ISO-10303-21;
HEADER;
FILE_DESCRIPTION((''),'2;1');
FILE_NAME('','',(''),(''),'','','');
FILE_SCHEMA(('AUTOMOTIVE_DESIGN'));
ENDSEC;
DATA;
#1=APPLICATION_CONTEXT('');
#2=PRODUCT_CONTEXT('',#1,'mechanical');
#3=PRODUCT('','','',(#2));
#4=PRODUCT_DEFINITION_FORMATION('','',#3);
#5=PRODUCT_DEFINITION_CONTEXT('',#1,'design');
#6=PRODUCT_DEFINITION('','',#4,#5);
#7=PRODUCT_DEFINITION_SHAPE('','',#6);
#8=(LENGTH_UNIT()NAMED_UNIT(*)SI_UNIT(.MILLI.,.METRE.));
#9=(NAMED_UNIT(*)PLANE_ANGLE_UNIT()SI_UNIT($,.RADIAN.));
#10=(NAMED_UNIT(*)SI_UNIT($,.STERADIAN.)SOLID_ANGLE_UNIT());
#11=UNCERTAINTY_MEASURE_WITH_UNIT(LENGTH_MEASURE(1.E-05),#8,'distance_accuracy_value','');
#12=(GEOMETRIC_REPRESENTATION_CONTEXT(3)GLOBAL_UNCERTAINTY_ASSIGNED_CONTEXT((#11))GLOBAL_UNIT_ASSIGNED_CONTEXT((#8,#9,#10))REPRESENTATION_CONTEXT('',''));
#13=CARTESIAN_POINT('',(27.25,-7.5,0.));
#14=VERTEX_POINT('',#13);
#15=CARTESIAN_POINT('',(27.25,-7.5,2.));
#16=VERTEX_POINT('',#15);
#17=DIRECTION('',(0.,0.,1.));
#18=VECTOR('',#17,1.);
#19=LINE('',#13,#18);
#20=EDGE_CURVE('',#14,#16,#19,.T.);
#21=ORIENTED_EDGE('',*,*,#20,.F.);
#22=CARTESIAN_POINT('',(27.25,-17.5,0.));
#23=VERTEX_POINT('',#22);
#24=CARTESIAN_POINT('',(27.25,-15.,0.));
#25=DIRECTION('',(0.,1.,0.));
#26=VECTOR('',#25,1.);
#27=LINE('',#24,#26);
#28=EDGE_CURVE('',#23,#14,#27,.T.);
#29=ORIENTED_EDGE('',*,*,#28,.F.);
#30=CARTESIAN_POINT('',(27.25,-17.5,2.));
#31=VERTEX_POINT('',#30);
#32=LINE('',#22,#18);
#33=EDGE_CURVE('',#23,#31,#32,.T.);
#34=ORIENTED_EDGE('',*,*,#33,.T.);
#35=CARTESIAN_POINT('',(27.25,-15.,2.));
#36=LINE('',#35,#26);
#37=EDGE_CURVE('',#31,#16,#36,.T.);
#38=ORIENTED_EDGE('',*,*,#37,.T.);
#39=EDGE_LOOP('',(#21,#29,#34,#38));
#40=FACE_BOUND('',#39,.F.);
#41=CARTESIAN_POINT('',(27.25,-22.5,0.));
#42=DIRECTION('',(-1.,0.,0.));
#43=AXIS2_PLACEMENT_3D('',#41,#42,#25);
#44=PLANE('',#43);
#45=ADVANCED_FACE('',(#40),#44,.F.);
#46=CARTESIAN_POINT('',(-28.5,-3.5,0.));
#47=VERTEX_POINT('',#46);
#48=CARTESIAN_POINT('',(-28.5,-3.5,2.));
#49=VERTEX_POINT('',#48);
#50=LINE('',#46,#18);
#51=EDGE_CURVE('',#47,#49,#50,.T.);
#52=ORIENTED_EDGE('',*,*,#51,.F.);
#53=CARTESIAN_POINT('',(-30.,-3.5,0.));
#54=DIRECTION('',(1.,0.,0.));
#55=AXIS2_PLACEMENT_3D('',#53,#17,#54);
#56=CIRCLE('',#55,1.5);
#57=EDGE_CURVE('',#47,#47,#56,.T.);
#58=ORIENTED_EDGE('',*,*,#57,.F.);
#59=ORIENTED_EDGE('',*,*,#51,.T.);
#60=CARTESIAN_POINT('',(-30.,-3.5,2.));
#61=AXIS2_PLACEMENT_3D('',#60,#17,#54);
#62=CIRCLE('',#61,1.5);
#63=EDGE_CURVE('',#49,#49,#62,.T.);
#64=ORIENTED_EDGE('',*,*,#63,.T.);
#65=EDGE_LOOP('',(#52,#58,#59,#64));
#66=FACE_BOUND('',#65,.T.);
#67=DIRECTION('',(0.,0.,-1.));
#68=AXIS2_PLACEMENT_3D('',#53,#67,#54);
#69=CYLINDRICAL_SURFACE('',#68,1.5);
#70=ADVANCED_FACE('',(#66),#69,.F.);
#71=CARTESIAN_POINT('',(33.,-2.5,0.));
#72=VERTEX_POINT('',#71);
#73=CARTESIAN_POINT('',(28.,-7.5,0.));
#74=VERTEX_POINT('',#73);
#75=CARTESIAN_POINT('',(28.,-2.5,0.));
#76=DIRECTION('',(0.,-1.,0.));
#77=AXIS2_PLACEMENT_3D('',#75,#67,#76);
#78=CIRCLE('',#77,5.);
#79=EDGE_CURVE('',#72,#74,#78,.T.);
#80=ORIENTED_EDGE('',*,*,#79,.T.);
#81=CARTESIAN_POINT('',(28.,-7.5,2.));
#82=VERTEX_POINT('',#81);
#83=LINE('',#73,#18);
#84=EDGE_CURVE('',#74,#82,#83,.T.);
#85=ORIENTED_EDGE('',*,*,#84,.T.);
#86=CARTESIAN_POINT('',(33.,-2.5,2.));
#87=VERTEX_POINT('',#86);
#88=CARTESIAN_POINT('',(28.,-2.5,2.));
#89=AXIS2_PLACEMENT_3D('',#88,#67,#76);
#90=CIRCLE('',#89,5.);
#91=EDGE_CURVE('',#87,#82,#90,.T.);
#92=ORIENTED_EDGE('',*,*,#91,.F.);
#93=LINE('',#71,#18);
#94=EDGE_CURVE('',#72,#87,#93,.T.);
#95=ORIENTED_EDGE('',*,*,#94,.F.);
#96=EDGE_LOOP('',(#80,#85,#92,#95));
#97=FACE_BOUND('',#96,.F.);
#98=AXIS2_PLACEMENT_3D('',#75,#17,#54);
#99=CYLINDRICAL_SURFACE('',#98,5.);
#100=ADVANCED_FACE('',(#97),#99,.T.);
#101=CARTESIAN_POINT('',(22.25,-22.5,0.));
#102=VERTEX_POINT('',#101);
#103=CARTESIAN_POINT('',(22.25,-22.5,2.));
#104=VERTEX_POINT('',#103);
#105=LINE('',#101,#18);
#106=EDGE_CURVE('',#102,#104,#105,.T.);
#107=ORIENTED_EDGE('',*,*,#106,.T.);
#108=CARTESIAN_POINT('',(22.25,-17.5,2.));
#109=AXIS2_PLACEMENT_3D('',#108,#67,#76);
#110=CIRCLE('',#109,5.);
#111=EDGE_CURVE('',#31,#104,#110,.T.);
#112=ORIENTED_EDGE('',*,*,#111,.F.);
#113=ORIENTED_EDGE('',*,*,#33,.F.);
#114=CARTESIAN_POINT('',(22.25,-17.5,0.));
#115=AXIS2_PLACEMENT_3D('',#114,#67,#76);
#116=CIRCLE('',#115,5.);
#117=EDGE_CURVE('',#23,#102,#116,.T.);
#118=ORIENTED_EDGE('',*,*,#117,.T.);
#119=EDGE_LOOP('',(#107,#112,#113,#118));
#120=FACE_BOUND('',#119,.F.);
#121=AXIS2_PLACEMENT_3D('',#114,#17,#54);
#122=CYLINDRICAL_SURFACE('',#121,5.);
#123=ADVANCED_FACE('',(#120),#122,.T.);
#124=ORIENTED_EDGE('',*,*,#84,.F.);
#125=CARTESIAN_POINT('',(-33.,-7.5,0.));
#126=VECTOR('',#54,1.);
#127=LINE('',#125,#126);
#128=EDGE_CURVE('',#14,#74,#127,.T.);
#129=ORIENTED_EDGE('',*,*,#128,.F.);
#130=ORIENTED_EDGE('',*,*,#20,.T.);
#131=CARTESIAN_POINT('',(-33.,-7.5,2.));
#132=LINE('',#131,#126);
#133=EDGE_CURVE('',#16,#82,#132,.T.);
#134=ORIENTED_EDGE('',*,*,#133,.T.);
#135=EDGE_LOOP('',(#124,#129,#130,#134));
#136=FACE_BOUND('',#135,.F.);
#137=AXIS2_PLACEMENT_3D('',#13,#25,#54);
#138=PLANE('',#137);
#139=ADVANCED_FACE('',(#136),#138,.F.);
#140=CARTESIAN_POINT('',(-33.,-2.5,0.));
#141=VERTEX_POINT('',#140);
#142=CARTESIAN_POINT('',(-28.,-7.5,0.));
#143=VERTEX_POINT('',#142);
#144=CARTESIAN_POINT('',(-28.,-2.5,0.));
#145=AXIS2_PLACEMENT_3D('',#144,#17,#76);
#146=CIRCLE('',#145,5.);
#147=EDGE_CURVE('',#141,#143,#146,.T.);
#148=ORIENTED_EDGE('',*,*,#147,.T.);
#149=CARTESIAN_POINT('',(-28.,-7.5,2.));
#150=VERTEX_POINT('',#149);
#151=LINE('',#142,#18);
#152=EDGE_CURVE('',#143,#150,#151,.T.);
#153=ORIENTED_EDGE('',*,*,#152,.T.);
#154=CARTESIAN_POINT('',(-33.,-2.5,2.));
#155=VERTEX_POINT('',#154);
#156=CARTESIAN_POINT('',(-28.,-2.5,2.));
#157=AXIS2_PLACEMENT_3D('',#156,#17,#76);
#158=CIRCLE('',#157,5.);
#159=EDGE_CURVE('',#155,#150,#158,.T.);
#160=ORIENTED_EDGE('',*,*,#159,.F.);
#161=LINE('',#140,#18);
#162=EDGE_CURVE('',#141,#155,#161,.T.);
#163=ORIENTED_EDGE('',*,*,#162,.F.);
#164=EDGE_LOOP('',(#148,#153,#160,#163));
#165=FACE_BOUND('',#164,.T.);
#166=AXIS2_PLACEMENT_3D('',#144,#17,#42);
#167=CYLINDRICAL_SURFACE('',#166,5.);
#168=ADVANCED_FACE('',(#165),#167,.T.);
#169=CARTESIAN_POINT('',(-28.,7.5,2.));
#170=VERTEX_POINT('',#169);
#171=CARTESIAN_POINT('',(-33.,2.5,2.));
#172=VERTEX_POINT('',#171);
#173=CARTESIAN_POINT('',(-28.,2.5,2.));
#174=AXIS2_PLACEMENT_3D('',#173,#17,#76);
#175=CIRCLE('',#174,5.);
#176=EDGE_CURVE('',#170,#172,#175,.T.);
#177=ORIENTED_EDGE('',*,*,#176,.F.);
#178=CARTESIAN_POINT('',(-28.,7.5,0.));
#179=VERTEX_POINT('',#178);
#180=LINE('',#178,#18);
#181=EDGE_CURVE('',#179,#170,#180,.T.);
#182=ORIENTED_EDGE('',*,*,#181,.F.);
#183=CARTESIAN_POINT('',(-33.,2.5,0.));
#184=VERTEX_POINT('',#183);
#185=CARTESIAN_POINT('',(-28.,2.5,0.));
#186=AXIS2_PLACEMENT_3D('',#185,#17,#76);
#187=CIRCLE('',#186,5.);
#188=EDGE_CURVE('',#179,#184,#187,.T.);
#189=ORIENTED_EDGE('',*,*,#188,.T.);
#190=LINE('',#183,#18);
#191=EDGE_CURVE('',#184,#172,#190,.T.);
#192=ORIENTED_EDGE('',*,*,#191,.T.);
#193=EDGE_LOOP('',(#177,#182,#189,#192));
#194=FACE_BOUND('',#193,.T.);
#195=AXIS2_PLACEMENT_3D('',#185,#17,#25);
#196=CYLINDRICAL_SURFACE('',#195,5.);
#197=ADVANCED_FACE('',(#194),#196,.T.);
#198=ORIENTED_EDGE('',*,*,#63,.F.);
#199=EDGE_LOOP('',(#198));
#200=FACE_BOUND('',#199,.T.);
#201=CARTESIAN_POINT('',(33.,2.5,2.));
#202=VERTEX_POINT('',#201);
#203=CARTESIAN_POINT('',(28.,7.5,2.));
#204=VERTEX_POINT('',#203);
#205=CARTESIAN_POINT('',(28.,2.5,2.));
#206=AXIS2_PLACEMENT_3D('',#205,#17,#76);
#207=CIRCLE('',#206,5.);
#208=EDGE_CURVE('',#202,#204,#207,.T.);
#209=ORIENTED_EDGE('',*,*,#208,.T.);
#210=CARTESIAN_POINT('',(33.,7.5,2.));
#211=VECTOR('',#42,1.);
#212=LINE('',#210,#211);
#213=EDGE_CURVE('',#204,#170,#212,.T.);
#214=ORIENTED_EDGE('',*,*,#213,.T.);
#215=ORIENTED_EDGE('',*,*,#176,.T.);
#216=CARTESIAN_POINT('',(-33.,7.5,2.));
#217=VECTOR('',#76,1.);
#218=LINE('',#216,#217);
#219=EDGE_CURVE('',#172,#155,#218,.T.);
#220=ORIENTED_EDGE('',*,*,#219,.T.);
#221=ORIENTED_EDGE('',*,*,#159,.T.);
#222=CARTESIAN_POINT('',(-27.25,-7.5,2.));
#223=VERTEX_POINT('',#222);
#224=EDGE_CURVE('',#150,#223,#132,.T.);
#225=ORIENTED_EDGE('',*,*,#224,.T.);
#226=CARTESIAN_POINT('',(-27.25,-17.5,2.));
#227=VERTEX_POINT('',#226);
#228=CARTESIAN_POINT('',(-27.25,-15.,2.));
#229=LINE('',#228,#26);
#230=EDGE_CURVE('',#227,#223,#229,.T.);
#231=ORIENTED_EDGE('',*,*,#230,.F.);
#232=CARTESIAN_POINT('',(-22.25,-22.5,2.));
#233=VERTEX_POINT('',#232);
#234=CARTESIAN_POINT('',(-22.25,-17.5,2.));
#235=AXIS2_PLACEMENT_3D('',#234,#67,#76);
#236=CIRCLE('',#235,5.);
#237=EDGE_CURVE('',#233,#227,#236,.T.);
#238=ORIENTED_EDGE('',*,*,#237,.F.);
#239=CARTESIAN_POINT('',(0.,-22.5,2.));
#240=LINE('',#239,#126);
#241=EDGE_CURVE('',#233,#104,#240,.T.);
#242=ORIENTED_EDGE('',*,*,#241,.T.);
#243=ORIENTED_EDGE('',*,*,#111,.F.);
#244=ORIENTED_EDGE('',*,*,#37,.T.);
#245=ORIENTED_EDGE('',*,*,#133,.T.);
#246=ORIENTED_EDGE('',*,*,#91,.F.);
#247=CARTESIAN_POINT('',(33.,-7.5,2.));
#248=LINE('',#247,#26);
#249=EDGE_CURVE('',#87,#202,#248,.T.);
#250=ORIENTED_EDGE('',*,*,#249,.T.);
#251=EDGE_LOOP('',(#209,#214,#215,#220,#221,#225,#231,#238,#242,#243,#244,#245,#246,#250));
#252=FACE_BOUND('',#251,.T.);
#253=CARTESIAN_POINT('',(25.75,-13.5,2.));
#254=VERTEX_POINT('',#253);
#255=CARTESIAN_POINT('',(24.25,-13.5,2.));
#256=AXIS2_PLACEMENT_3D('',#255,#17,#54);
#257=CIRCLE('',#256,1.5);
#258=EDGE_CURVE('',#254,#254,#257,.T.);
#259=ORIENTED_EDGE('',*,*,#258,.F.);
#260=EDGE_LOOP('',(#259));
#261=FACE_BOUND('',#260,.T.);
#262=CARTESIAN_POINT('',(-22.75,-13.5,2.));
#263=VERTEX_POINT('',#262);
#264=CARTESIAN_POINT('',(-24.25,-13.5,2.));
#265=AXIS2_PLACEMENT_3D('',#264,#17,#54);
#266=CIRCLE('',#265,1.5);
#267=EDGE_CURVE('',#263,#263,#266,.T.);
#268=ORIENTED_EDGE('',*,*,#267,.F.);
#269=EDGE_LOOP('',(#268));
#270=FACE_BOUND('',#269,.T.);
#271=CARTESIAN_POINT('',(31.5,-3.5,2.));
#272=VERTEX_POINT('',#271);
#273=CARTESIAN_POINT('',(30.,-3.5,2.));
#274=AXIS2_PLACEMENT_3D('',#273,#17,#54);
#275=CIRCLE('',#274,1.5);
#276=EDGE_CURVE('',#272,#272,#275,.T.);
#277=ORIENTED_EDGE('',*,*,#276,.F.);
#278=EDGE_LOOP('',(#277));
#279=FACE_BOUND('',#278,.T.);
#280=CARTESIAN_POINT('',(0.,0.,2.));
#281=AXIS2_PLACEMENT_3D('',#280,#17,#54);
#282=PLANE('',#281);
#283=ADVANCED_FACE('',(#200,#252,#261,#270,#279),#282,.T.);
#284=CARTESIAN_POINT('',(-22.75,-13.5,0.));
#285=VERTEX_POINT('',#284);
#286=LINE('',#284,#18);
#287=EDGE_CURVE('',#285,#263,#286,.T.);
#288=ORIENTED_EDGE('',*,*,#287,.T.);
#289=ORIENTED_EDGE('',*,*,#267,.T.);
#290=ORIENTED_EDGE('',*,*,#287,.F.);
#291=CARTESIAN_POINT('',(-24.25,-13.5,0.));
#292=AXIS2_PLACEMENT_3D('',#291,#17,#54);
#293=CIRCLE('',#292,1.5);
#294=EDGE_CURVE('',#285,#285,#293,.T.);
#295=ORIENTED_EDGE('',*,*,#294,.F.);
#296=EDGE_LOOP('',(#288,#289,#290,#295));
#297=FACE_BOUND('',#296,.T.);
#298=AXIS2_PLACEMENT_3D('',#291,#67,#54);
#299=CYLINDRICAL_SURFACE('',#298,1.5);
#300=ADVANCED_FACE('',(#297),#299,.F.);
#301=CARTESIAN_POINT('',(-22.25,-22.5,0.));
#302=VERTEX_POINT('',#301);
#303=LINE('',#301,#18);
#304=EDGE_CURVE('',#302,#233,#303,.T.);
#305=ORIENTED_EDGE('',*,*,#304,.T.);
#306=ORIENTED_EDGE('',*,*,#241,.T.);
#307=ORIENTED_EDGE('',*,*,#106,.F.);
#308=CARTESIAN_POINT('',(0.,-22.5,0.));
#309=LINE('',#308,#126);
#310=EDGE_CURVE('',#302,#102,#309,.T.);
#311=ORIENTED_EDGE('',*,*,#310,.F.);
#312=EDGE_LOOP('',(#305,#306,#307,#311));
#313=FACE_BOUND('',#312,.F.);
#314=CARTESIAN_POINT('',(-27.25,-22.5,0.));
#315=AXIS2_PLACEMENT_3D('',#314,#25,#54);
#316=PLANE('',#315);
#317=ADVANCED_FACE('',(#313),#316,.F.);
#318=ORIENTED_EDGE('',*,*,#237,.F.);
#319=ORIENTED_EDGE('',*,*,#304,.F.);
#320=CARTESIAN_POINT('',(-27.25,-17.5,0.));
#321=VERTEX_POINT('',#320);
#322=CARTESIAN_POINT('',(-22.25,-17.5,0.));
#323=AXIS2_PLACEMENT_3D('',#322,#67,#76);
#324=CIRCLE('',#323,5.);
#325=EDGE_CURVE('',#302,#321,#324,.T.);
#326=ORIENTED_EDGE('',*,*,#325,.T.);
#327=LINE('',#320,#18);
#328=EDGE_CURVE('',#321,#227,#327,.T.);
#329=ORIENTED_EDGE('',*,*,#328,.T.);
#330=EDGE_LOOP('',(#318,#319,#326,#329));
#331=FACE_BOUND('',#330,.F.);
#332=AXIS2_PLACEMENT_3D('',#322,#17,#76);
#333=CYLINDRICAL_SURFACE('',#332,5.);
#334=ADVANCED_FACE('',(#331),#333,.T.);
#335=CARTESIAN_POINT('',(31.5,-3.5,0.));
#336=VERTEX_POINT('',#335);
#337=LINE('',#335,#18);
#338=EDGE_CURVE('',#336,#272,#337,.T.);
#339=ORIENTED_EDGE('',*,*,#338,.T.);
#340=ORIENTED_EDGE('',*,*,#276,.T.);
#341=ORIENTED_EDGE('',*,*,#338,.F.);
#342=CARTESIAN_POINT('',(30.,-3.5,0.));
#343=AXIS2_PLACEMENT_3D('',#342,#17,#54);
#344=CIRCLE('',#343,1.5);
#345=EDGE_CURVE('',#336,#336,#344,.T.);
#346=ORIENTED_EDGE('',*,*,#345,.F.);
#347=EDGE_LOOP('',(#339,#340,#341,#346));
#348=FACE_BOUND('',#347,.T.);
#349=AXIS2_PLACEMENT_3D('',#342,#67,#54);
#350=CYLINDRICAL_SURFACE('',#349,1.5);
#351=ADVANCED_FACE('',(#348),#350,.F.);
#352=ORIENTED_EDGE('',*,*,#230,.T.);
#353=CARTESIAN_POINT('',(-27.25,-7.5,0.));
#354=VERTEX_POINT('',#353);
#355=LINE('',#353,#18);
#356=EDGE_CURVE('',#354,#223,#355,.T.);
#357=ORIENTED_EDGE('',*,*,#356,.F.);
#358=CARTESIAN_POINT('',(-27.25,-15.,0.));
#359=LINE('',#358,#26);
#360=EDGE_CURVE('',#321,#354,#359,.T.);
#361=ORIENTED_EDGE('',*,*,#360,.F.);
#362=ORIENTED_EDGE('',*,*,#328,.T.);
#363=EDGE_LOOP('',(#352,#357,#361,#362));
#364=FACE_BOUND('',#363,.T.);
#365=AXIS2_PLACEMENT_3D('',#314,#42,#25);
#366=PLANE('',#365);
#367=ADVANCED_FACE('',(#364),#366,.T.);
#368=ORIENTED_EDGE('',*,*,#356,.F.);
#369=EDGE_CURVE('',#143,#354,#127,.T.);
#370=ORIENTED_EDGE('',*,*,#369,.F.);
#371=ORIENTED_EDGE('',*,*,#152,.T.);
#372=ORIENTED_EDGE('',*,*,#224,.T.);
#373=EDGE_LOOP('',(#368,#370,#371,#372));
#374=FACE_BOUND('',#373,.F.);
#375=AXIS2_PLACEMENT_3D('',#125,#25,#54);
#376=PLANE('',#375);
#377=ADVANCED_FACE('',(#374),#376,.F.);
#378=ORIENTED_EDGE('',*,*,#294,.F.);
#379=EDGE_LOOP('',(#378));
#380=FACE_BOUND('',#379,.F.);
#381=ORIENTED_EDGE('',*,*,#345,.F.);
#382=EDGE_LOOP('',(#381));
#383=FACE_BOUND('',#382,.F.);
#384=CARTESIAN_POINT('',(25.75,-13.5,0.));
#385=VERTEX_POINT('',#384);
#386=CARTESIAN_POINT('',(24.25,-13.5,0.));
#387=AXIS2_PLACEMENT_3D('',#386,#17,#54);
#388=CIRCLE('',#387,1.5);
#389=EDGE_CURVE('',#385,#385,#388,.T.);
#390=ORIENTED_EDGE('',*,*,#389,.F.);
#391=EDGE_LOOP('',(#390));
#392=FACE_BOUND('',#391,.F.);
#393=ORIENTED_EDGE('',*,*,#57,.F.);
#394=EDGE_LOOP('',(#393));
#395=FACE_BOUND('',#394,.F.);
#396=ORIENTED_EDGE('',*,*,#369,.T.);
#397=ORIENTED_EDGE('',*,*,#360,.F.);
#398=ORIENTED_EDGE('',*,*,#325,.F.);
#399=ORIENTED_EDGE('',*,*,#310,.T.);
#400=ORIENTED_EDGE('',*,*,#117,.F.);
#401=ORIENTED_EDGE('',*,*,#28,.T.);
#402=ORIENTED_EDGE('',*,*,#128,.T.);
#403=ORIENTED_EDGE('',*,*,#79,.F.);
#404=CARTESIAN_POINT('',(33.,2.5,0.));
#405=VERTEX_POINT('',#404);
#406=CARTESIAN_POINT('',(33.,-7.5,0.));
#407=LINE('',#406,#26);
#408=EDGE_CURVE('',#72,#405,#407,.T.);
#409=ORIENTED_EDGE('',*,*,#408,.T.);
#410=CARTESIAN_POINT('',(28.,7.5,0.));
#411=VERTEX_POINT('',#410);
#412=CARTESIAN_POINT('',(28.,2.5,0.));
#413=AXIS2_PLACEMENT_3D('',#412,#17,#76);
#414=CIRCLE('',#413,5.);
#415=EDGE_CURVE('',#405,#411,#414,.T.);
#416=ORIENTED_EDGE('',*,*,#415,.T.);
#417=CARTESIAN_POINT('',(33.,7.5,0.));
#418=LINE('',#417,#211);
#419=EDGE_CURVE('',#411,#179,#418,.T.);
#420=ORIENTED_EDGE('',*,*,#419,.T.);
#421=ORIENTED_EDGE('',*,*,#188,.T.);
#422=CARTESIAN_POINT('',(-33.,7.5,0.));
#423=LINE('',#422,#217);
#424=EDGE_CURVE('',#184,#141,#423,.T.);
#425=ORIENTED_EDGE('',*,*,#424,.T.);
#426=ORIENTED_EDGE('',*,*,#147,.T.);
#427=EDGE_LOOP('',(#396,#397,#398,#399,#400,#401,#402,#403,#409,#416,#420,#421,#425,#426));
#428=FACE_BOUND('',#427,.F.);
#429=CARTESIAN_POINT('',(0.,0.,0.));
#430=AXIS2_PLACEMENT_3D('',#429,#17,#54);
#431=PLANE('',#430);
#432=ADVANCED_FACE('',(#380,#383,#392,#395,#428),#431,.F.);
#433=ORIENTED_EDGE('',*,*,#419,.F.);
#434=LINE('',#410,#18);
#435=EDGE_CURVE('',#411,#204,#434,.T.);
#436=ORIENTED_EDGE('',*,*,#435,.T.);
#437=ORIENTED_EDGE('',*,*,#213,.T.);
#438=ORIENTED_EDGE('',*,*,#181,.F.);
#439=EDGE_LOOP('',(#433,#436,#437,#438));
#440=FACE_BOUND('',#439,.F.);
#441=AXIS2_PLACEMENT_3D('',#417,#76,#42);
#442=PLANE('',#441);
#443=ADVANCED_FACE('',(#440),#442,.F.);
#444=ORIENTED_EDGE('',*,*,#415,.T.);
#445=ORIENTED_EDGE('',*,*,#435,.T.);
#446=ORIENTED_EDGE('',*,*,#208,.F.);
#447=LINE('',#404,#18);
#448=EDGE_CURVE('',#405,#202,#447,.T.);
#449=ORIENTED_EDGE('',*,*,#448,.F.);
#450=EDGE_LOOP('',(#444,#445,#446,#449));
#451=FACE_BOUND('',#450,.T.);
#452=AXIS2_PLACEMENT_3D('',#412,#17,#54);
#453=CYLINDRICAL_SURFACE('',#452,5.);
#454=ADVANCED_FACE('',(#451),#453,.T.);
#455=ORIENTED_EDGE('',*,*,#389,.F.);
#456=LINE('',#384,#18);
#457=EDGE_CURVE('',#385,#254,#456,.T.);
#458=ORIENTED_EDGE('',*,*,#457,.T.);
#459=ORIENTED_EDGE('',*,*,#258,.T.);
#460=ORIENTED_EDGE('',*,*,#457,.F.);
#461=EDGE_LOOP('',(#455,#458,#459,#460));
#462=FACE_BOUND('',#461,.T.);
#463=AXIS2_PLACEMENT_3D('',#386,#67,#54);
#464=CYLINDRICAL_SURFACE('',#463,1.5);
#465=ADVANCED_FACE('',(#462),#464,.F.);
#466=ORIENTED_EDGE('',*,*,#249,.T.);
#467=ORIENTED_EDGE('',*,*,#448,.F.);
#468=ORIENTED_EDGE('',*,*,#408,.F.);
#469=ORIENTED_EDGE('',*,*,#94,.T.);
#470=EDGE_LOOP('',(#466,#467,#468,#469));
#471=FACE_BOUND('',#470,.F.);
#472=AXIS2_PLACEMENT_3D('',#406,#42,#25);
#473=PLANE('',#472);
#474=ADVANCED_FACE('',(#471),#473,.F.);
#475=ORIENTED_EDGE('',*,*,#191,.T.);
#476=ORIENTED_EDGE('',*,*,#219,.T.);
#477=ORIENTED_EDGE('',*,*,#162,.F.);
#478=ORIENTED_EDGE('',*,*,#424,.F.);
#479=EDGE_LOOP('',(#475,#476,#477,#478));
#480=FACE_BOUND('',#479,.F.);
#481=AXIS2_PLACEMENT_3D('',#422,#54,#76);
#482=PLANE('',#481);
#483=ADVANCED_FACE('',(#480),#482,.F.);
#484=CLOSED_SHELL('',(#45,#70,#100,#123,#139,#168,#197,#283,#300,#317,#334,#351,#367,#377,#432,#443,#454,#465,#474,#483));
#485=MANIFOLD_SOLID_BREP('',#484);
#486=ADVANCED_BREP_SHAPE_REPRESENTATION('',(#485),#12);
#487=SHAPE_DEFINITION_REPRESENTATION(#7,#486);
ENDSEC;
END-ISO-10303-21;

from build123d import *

# Parameters (mm, degrees)
F0_R     = 1.5
F0_W     = 54.5
F0_H     = 15
F1_DEPTH = 2
F2_R     = 5


with BuildPart() as f1:
    # F0 (on Top) → F1 (new body)
    with BuildSketch(Plane.XY):
        Polygon((27.25, -7.5), (33, -7.5), (33, 7.5), (-33, 7.5), (-33, -7.5), (-27.25, -7.5), align=None)
        with Locations((-30, -3.5)):
            Circle(F0_R, mode=Mode.SUBTRACT)
        with Locations((30, -3.5)):
            Circle(F0_R, mode=Mode.SUBTRACT)
        with Locations((0, -15)):
            Rectangle(F0_W, F0_H)
        with Locations((-24.25, -13.5)):
            Circle(F0_R, mode=Mode.SUBTRACT)
        with Locations((24.25, -13.5)):
            Circle(F0_R, mode=Mode.SUBTRACT)
    extrude(amount=F1_DEPTH)

    # F2
    f2_edges = [f1.edges().sort_by_distance(p)[0] for p in [
        (-33, 7.5, 1),
        (33, 7.5, 1),
        (27.25, -22.5, 1),
        (-27.25, -22.5, 1),
        (33, -7.5, 1),
        (-33, -7.5, 1),
    ]]
    fillet(f2_edges, radius=F2_R)


solid = f1.part
